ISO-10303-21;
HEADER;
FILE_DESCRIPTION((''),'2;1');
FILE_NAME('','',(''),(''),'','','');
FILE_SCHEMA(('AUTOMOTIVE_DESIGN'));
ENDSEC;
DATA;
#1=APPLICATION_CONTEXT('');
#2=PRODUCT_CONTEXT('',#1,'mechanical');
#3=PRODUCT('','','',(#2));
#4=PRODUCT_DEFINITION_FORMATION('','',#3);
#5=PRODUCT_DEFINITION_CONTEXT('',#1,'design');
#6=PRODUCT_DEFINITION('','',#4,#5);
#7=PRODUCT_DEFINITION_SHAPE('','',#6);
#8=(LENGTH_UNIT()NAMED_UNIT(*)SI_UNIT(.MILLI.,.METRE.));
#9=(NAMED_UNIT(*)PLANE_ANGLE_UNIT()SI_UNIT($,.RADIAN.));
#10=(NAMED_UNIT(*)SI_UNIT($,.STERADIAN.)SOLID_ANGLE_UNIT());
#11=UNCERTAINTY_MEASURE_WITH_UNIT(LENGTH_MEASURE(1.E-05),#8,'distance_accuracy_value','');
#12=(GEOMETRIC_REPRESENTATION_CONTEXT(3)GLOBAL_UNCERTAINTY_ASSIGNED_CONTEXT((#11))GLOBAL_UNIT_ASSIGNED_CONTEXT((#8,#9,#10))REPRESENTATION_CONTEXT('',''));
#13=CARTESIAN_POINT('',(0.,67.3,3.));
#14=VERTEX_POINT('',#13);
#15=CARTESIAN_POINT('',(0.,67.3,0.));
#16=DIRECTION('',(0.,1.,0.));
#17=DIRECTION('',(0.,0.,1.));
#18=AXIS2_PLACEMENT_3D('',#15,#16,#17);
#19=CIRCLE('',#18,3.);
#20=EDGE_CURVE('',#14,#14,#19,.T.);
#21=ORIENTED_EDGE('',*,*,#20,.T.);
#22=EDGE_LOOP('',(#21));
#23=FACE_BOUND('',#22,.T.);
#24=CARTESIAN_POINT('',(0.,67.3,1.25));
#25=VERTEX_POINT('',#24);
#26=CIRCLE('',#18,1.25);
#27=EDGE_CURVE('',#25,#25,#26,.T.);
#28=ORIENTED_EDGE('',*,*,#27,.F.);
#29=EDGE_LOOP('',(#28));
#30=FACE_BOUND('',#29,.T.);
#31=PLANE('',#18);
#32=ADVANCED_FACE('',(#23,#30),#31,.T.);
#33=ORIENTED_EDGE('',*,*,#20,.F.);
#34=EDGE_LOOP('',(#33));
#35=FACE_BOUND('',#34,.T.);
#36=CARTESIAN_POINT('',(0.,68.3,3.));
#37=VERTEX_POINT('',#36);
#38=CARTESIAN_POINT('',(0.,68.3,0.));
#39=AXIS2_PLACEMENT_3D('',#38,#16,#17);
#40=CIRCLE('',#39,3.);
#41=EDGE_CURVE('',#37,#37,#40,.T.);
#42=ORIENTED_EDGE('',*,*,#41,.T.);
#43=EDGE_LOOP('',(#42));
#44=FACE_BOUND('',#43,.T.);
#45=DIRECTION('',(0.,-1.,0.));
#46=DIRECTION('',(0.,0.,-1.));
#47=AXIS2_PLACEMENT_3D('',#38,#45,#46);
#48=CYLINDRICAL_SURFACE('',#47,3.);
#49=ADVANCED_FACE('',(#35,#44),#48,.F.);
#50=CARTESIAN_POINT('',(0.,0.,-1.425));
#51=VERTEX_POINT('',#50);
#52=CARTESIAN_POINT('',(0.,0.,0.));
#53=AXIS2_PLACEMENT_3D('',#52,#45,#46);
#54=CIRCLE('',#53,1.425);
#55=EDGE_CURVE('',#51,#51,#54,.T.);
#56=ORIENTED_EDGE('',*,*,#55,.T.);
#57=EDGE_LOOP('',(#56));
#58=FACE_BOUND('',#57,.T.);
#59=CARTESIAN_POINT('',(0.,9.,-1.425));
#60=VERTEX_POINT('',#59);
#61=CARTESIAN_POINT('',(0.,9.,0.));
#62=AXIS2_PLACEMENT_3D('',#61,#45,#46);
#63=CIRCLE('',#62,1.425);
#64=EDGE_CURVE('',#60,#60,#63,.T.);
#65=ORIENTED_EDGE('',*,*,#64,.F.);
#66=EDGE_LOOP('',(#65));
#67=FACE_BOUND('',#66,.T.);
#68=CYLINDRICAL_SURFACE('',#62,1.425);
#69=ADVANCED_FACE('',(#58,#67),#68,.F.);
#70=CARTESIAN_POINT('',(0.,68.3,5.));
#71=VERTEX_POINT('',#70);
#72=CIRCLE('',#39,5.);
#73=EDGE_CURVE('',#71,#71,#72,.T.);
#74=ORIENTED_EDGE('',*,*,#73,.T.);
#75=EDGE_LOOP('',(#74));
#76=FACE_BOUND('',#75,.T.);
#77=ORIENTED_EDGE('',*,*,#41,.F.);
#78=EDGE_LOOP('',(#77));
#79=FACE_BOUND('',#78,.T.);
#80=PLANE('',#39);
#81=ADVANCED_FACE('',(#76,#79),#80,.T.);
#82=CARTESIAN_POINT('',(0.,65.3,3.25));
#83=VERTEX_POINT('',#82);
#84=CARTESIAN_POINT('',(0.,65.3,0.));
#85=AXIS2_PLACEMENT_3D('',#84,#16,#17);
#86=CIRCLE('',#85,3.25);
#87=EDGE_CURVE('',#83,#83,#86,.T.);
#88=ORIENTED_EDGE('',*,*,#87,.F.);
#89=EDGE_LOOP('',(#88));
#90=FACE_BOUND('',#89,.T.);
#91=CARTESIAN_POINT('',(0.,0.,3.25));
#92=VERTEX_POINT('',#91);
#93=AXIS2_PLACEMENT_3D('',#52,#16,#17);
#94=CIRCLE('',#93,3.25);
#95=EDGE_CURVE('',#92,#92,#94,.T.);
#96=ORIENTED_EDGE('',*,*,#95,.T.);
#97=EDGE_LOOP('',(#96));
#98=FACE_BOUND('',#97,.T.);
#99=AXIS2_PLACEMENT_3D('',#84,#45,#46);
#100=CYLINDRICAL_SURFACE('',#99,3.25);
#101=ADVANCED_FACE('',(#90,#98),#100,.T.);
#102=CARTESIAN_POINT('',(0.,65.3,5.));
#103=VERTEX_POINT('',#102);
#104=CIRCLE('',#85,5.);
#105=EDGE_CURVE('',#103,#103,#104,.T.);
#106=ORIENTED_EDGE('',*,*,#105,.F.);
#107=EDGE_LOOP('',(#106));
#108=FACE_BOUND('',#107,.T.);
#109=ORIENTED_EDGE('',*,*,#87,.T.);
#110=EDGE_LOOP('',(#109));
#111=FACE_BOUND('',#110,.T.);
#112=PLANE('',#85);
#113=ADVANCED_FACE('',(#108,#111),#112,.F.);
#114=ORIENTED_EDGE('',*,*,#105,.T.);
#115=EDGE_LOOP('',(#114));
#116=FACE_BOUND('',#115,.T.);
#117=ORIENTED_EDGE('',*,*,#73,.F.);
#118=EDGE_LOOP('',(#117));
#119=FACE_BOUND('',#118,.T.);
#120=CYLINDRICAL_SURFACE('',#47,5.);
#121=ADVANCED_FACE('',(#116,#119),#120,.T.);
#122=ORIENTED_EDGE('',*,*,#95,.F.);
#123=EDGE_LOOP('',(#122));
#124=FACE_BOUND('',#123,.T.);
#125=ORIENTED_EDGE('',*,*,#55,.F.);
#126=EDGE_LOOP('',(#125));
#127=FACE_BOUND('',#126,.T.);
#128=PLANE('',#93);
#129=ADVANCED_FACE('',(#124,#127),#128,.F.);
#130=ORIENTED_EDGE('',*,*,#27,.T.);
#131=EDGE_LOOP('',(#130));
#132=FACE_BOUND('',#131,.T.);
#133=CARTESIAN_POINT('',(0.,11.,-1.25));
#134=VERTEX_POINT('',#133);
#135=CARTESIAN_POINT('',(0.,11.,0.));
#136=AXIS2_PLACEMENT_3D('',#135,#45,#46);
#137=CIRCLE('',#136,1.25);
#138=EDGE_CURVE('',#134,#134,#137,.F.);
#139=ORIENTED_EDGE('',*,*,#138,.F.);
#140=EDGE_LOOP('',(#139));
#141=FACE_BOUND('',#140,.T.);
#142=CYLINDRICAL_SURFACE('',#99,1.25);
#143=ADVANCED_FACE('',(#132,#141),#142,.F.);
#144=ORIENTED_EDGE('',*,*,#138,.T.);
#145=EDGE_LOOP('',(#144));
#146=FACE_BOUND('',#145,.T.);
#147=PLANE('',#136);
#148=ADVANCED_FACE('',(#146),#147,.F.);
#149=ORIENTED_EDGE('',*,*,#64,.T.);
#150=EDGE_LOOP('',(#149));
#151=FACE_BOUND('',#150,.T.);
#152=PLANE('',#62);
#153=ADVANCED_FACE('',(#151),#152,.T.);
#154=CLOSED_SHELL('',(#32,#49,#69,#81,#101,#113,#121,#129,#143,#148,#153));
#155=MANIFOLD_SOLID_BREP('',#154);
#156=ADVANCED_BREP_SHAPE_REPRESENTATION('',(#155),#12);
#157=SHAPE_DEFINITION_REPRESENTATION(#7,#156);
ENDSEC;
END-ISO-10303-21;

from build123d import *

# Parameters (mm, degrees)
SKETCH1_R           = 3.25
BOSS_EXTRUDE1_DEPTH = 65.3
SKETCH2_R           = 5
BOSS_EXTRUDE2_DEPTH = 3
SKETCH3_R           = 1.425
CUT_EXTRUDE1_DEPTH  = 9
SHELL1_T            = -2


with BuildPart() as part:
    # Sketch1 → Boss-Extrude1 (new body)
    with BuildSketch(Plane(origin=(0, 0, 0), x_dir=(1, 0, 0), z_dir=(0, 1, 0))):
        with Locations(Location((0, 0, 0), (0, 0, 270))):
            Circle(SKETCH1_R)
    extrude(amount=BOSS_EXTRUDE1_DEPTH)

    # Sketch2 → Boss-Extrude2 (add)
    with BuildSketch(Plane(origin=(0, 65.3, 0), x_dir=(1, 0, 0), z_dir=(0, 1, 0))):
        with Locations(Location((0, 0, 0), (0, 0, 270))):
            Circle(SKETCH2_R)
    extrude(amount=BOSS_EXTRUDE2_DEPTH)

    # Sketch3 → Cut-Extrude1 (cut)
    with BuildSketch(Plane.XZ):
        with Locations(Location((0, 0, 0), (0, 0, 270))):
            Circle(SKETCH3_R)
    extrude(amount=-CUT_EXTRUDE1_DEPTH, mode=Mode.SUBTRACT)

    # Shell1
    shell1_openings = [part.faces().sort_by_distance(p)[0] for p in [
        (0, 68.3, 0),
    ]]
    offset(amount=SHELL1_T, openings=shell1_openings, kind=Kind.INTERSECTION)


solid = part.part
